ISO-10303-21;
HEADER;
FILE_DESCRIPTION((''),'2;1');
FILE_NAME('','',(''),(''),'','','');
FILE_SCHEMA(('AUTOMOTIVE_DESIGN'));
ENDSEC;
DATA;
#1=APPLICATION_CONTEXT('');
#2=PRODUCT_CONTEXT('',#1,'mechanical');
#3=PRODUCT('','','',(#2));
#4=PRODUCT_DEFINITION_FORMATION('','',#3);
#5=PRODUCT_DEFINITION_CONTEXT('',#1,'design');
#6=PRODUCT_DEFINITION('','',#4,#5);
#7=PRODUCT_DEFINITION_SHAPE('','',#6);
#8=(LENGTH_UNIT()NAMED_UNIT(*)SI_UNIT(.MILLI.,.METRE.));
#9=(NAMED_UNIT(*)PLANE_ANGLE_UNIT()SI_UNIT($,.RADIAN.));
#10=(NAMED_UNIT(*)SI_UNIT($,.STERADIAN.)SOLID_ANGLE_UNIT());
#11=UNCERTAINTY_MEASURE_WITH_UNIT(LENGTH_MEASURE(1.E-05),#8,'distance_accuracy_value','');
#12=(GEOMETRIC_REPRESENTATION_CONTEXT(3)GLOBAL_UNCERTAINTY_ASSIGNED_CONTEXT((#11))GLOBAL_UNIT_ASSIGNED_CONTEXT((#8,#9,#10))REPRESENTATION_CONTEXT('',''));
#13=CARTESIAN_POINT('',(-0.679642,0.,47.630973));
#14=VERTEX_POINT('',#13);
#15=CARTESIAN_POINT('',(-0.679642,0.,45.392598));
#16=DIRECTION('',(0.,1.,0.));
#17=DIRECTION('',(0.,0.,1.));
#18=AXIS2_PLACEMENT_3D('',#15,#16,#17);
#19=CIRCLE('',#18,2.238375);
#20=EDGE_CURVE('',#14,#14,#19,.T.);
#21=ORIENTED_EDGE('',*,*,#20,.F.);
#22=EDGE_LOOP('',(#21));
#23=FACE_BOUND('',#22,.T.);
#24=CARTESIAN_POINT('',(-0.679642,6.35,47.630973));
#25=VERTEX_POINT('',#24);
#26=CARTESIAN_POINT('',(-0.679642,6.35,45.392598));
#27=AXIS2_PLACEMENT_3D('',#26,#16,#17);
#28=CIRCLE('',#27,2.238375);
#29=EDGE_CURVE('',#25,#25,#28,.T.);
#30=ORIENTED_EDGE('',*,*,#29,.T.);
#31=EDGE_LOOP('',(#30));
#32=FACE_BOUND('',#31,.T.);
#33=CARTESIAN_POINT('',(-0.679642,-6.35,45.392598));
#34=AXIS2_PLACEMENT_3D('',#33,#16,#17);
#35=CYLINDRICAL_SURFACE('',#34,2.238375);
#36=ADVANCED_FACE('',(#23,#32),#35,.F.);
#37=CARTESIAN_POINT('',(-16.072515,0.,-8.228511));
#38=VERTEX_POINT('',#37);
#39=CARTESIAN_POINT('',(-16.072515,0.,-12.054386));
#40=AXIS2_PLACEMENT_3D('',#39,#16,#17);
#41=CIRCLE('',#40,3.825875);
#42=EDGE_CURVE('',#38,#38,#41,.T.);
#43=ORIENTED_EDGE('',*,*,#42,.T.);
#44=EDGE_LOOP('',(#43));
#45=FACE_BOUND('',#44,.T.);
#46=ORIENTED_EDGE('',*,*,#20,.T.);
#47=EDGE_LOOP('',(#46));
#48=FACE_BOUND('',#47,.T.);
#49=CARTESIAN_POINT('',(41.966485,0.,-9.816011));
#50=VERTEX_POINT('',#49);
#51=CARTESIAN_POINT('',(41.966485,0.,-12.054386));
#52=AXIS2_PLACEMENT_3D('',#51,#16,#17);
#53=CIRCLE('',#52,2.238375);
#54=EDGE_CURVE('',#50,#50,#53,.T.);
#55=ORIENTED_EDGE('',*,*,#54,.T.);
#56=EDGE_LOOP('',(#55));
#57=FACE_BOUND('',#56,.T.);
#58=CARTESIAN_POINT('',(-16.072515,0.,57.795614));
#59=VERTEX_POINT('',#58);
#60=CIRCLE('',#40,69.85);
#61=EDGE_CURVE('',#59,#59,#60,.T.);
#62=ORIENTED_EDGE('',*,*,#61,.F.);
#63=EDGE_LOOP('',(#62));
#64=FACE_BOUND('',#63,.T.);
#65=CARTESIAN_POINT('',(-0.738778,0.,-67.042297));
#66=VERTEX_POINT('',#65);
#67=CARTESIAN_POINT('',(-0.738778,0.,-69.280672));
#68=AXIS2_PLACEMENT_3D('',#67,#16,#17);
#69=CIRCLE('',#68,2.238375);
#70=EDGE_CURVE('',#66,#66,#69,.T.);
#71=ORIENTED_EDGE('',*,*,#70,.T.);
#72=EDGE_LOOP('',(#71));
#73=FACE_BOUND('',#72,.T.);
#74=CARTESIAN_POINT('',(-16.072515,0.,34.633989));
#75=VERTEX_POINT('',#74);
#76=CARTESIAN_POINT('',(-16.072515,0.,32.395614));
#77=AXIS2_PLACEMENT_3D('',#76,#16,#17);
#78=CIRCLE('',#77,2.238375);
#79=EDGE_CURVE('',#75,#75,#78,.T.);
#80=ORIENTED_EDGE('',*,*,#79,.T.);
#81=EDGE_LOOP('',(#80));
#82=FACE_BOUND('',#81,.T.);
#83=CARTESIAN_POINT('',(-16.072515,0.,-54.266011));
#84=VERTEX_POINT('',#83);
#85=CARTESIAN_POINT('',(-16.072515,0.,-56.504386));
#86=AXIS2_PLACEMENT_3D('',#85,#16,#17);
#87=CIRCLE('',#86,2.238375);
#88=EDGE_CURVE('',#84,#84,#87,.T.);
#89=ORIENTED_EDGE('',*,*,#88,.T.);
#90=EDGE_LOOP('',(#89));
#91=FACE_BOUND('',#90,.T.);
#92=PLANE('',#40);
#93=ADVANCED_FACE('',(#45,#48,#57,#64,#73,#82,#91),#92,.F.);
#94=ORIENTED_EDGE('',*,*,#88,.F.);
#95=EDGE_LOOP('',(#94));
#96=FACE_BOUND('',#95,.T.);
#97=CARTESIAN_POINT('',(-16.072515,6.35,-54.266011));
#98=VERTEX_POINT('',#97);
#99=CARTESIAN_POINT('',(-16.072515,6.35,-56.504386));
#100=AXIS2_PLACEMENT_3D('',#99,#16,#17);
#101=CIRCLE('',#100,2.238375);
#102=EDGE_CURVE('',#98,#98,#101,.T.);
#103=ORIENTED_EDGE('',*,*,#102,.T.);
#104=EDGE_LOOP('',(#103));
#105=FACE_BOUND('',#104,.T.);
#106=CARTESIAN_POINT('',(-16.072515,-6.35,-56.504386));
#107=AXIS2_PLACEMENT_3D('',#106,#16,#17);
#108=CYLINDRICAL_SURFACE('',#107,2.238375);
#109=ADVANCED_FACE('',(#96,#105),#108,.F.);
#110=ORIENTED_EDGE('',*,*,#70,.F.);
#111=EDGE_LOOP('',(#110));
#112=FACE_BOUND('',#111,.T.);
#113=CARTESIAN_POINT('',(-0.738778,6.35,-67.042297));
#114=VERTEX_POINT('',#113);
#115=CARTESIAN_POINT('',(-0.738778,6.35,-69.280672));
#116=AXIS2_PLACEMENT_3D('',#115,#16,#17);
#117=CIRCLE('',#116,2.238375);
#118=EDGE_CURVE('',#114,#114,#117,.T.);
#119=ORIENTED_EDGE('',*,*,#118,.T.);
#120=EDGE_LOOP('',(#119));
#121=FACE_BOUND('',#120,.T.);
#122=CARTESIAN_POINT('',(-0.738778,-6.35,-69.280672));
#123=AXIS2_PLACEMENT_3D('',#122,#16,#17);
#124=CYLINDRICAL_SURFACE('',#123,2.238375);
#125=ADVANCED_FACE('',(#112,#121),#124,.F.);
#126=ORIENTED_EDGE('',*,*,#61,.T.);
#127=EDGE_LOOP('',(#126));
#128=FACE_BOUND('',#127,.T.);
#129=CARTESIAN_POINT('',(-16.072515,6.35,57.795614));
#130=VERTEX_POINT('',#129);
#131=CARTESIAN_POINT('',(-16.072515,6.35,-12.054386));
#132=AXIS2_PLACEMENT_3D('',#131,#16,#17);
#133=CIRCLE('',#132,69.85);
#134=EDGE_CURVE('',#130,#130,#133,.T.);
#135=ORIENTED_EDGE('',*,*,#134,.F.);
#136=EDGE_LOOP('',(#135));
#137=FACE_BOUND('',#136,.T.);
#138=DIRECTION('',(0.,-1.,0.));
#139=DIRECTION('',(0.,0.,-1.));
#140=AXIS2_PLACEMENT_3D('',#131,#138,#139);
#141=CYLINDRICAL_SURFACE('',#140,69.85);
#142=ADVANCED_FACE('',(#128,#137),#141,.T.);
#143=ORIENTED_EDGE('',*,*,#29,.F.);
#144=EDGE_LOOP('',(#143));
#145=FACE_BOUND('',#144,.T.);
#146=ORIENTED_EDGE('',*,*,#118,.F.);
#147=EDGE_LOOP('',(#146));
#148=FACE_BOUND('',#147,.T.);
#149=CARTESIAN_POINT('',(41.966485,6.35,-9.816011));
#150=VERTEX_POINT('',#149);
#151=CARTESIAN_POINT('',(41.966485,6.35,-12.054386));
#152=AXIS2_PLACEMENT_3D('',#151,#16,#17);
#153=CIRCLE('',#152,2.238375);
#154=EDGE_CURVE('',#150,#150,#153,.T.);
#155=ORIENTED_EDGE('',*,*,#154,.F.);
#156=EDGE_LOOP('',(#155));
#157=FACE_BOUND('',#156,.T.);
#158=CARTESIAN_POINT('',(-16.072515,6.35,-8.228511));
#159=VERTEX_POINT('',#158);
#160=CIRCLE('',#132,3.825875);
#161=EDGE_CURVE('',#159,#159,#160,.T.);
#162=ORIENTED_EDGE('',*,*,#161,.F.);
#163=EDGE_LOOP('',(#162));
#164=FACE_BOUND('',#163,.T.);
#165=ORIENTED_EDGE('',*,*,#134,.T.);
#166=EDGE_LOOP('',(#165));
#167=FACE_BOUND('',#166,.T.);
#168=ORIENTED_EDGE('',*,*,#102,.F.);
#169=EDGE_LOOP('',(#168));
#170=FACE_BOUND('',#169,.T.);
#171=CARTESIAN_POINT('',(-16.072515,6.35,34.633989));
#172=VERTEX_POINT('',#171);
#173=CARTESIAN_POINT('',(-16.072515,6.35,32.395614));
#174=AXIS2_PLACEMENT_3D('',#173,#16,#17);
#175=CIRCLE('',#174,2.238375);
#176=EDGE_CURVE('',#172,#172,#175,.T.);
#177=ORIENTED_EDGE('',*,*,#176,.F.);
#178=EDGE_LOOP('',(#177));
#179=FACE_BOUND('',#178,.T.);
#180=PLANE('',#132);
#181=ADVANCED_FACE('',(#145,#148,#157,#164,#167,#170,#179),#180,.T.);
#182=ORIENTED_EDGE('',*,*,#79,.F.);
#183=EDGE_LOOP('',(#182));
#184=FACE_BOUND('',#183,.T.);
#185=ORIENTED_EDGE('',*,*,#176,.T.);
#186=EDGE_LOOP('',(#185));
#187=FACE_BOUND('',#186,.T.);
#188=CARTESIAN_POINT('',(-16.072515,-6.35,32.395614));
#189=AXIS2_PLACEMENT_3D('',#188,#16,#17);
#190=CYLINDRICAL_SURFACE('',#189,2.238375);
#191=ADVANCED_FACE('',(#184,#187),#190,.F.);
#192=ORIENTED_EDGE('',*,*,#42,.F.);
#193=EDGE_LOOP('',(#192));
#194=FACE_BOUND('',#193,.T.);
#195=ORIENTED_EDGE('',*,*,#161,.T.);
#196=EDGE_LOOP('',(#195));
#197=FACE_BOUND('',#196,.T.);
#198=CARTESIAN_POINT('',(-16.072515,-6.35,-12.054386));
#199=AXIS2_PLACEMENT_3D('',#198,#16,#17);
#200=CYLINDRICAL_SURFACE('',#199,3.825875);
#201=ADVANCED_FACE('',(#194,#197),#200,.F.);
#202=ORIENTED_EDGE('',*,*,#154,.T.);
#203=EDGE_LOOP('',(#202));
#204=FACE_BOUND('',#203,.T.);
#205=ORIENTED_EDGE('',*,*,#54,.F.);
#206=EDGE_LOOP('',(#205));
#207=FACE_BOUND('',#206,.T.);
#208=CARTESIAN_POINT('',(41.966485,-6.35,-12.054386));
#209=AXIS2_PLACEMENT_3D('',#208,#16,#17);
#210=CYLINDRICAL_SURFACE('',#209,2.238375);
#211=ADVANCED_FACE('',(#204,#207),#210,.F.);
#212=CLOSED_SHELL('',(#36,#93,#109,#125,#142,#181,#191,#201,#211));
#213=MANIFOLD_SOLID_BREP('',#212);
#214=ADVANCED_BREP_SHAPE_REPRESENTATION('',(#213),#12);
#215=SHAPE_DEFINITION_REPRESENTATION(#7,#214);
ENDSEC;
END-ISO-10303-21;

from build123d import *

# Parameters (mm, degrees)
SKETCH1_R           = 69.85
BOSS_EXTRUDE1_DEPTH = 6.35
SKETCH5_R           = 2.238375
SKETCH5_R_2         = 3.825875
CUT_EXTRUDE3_DEPTH  = 12.7


with BuildPart() as part:
    # Sketch1 → Boss-Extrude1 (new body)
    with BuildSketch(Plane(origin=(0, 0, 0), x_dir=(1, 0, 0), z_dir=(0, 1, 0))):
        with Locations(Location((-16.072515175, 12.054386381, 0), (0, 0, 270))):
            Circle(SKETCH1_R)
    extrude(amount=BOSS_EXTRUDE1_DEPTH)

    # Sketch5 → Cut-Extrude3 (cut)
    with BuildSketch(Plane(origin=(0, 6.35, 0), x_dir=(1, 0, 0), z_dir=(0, 1, 0))):
        with Locations(Location((-0.738778166, 69.280671968, 0), (0, 0, 270))):
            Circle(SKETCH5_R)
        with Locations(Location((-16.072515175, 56.504386381, 0), (0, 0, 270))):
            Circle(SKETCH5_R)
        with Locations(Location((-16.072515175, 12.054386381, 0), (0, 0, 270))):
            Circle(SKETCH5_R_2)
        with Locations(Location((-16.072515175, -32.395613619, 0), (0, 0, 270))):
            Circle(SKETCH5_R)
        with Locations(Location((-0.679642183, -45.392597698, 0), (0, 0, 270))):
            Circle(SKETCH5_R)
        with Locations(Location((41.966484825, 12.054386381, 0), (0, 0, 270))):
            Circle(SKETCH5_R)
    extrude(amount=-CUT_EXTRUDE3_DEPTH, mode=Mode.SUBTRACT)


solid = part.part
